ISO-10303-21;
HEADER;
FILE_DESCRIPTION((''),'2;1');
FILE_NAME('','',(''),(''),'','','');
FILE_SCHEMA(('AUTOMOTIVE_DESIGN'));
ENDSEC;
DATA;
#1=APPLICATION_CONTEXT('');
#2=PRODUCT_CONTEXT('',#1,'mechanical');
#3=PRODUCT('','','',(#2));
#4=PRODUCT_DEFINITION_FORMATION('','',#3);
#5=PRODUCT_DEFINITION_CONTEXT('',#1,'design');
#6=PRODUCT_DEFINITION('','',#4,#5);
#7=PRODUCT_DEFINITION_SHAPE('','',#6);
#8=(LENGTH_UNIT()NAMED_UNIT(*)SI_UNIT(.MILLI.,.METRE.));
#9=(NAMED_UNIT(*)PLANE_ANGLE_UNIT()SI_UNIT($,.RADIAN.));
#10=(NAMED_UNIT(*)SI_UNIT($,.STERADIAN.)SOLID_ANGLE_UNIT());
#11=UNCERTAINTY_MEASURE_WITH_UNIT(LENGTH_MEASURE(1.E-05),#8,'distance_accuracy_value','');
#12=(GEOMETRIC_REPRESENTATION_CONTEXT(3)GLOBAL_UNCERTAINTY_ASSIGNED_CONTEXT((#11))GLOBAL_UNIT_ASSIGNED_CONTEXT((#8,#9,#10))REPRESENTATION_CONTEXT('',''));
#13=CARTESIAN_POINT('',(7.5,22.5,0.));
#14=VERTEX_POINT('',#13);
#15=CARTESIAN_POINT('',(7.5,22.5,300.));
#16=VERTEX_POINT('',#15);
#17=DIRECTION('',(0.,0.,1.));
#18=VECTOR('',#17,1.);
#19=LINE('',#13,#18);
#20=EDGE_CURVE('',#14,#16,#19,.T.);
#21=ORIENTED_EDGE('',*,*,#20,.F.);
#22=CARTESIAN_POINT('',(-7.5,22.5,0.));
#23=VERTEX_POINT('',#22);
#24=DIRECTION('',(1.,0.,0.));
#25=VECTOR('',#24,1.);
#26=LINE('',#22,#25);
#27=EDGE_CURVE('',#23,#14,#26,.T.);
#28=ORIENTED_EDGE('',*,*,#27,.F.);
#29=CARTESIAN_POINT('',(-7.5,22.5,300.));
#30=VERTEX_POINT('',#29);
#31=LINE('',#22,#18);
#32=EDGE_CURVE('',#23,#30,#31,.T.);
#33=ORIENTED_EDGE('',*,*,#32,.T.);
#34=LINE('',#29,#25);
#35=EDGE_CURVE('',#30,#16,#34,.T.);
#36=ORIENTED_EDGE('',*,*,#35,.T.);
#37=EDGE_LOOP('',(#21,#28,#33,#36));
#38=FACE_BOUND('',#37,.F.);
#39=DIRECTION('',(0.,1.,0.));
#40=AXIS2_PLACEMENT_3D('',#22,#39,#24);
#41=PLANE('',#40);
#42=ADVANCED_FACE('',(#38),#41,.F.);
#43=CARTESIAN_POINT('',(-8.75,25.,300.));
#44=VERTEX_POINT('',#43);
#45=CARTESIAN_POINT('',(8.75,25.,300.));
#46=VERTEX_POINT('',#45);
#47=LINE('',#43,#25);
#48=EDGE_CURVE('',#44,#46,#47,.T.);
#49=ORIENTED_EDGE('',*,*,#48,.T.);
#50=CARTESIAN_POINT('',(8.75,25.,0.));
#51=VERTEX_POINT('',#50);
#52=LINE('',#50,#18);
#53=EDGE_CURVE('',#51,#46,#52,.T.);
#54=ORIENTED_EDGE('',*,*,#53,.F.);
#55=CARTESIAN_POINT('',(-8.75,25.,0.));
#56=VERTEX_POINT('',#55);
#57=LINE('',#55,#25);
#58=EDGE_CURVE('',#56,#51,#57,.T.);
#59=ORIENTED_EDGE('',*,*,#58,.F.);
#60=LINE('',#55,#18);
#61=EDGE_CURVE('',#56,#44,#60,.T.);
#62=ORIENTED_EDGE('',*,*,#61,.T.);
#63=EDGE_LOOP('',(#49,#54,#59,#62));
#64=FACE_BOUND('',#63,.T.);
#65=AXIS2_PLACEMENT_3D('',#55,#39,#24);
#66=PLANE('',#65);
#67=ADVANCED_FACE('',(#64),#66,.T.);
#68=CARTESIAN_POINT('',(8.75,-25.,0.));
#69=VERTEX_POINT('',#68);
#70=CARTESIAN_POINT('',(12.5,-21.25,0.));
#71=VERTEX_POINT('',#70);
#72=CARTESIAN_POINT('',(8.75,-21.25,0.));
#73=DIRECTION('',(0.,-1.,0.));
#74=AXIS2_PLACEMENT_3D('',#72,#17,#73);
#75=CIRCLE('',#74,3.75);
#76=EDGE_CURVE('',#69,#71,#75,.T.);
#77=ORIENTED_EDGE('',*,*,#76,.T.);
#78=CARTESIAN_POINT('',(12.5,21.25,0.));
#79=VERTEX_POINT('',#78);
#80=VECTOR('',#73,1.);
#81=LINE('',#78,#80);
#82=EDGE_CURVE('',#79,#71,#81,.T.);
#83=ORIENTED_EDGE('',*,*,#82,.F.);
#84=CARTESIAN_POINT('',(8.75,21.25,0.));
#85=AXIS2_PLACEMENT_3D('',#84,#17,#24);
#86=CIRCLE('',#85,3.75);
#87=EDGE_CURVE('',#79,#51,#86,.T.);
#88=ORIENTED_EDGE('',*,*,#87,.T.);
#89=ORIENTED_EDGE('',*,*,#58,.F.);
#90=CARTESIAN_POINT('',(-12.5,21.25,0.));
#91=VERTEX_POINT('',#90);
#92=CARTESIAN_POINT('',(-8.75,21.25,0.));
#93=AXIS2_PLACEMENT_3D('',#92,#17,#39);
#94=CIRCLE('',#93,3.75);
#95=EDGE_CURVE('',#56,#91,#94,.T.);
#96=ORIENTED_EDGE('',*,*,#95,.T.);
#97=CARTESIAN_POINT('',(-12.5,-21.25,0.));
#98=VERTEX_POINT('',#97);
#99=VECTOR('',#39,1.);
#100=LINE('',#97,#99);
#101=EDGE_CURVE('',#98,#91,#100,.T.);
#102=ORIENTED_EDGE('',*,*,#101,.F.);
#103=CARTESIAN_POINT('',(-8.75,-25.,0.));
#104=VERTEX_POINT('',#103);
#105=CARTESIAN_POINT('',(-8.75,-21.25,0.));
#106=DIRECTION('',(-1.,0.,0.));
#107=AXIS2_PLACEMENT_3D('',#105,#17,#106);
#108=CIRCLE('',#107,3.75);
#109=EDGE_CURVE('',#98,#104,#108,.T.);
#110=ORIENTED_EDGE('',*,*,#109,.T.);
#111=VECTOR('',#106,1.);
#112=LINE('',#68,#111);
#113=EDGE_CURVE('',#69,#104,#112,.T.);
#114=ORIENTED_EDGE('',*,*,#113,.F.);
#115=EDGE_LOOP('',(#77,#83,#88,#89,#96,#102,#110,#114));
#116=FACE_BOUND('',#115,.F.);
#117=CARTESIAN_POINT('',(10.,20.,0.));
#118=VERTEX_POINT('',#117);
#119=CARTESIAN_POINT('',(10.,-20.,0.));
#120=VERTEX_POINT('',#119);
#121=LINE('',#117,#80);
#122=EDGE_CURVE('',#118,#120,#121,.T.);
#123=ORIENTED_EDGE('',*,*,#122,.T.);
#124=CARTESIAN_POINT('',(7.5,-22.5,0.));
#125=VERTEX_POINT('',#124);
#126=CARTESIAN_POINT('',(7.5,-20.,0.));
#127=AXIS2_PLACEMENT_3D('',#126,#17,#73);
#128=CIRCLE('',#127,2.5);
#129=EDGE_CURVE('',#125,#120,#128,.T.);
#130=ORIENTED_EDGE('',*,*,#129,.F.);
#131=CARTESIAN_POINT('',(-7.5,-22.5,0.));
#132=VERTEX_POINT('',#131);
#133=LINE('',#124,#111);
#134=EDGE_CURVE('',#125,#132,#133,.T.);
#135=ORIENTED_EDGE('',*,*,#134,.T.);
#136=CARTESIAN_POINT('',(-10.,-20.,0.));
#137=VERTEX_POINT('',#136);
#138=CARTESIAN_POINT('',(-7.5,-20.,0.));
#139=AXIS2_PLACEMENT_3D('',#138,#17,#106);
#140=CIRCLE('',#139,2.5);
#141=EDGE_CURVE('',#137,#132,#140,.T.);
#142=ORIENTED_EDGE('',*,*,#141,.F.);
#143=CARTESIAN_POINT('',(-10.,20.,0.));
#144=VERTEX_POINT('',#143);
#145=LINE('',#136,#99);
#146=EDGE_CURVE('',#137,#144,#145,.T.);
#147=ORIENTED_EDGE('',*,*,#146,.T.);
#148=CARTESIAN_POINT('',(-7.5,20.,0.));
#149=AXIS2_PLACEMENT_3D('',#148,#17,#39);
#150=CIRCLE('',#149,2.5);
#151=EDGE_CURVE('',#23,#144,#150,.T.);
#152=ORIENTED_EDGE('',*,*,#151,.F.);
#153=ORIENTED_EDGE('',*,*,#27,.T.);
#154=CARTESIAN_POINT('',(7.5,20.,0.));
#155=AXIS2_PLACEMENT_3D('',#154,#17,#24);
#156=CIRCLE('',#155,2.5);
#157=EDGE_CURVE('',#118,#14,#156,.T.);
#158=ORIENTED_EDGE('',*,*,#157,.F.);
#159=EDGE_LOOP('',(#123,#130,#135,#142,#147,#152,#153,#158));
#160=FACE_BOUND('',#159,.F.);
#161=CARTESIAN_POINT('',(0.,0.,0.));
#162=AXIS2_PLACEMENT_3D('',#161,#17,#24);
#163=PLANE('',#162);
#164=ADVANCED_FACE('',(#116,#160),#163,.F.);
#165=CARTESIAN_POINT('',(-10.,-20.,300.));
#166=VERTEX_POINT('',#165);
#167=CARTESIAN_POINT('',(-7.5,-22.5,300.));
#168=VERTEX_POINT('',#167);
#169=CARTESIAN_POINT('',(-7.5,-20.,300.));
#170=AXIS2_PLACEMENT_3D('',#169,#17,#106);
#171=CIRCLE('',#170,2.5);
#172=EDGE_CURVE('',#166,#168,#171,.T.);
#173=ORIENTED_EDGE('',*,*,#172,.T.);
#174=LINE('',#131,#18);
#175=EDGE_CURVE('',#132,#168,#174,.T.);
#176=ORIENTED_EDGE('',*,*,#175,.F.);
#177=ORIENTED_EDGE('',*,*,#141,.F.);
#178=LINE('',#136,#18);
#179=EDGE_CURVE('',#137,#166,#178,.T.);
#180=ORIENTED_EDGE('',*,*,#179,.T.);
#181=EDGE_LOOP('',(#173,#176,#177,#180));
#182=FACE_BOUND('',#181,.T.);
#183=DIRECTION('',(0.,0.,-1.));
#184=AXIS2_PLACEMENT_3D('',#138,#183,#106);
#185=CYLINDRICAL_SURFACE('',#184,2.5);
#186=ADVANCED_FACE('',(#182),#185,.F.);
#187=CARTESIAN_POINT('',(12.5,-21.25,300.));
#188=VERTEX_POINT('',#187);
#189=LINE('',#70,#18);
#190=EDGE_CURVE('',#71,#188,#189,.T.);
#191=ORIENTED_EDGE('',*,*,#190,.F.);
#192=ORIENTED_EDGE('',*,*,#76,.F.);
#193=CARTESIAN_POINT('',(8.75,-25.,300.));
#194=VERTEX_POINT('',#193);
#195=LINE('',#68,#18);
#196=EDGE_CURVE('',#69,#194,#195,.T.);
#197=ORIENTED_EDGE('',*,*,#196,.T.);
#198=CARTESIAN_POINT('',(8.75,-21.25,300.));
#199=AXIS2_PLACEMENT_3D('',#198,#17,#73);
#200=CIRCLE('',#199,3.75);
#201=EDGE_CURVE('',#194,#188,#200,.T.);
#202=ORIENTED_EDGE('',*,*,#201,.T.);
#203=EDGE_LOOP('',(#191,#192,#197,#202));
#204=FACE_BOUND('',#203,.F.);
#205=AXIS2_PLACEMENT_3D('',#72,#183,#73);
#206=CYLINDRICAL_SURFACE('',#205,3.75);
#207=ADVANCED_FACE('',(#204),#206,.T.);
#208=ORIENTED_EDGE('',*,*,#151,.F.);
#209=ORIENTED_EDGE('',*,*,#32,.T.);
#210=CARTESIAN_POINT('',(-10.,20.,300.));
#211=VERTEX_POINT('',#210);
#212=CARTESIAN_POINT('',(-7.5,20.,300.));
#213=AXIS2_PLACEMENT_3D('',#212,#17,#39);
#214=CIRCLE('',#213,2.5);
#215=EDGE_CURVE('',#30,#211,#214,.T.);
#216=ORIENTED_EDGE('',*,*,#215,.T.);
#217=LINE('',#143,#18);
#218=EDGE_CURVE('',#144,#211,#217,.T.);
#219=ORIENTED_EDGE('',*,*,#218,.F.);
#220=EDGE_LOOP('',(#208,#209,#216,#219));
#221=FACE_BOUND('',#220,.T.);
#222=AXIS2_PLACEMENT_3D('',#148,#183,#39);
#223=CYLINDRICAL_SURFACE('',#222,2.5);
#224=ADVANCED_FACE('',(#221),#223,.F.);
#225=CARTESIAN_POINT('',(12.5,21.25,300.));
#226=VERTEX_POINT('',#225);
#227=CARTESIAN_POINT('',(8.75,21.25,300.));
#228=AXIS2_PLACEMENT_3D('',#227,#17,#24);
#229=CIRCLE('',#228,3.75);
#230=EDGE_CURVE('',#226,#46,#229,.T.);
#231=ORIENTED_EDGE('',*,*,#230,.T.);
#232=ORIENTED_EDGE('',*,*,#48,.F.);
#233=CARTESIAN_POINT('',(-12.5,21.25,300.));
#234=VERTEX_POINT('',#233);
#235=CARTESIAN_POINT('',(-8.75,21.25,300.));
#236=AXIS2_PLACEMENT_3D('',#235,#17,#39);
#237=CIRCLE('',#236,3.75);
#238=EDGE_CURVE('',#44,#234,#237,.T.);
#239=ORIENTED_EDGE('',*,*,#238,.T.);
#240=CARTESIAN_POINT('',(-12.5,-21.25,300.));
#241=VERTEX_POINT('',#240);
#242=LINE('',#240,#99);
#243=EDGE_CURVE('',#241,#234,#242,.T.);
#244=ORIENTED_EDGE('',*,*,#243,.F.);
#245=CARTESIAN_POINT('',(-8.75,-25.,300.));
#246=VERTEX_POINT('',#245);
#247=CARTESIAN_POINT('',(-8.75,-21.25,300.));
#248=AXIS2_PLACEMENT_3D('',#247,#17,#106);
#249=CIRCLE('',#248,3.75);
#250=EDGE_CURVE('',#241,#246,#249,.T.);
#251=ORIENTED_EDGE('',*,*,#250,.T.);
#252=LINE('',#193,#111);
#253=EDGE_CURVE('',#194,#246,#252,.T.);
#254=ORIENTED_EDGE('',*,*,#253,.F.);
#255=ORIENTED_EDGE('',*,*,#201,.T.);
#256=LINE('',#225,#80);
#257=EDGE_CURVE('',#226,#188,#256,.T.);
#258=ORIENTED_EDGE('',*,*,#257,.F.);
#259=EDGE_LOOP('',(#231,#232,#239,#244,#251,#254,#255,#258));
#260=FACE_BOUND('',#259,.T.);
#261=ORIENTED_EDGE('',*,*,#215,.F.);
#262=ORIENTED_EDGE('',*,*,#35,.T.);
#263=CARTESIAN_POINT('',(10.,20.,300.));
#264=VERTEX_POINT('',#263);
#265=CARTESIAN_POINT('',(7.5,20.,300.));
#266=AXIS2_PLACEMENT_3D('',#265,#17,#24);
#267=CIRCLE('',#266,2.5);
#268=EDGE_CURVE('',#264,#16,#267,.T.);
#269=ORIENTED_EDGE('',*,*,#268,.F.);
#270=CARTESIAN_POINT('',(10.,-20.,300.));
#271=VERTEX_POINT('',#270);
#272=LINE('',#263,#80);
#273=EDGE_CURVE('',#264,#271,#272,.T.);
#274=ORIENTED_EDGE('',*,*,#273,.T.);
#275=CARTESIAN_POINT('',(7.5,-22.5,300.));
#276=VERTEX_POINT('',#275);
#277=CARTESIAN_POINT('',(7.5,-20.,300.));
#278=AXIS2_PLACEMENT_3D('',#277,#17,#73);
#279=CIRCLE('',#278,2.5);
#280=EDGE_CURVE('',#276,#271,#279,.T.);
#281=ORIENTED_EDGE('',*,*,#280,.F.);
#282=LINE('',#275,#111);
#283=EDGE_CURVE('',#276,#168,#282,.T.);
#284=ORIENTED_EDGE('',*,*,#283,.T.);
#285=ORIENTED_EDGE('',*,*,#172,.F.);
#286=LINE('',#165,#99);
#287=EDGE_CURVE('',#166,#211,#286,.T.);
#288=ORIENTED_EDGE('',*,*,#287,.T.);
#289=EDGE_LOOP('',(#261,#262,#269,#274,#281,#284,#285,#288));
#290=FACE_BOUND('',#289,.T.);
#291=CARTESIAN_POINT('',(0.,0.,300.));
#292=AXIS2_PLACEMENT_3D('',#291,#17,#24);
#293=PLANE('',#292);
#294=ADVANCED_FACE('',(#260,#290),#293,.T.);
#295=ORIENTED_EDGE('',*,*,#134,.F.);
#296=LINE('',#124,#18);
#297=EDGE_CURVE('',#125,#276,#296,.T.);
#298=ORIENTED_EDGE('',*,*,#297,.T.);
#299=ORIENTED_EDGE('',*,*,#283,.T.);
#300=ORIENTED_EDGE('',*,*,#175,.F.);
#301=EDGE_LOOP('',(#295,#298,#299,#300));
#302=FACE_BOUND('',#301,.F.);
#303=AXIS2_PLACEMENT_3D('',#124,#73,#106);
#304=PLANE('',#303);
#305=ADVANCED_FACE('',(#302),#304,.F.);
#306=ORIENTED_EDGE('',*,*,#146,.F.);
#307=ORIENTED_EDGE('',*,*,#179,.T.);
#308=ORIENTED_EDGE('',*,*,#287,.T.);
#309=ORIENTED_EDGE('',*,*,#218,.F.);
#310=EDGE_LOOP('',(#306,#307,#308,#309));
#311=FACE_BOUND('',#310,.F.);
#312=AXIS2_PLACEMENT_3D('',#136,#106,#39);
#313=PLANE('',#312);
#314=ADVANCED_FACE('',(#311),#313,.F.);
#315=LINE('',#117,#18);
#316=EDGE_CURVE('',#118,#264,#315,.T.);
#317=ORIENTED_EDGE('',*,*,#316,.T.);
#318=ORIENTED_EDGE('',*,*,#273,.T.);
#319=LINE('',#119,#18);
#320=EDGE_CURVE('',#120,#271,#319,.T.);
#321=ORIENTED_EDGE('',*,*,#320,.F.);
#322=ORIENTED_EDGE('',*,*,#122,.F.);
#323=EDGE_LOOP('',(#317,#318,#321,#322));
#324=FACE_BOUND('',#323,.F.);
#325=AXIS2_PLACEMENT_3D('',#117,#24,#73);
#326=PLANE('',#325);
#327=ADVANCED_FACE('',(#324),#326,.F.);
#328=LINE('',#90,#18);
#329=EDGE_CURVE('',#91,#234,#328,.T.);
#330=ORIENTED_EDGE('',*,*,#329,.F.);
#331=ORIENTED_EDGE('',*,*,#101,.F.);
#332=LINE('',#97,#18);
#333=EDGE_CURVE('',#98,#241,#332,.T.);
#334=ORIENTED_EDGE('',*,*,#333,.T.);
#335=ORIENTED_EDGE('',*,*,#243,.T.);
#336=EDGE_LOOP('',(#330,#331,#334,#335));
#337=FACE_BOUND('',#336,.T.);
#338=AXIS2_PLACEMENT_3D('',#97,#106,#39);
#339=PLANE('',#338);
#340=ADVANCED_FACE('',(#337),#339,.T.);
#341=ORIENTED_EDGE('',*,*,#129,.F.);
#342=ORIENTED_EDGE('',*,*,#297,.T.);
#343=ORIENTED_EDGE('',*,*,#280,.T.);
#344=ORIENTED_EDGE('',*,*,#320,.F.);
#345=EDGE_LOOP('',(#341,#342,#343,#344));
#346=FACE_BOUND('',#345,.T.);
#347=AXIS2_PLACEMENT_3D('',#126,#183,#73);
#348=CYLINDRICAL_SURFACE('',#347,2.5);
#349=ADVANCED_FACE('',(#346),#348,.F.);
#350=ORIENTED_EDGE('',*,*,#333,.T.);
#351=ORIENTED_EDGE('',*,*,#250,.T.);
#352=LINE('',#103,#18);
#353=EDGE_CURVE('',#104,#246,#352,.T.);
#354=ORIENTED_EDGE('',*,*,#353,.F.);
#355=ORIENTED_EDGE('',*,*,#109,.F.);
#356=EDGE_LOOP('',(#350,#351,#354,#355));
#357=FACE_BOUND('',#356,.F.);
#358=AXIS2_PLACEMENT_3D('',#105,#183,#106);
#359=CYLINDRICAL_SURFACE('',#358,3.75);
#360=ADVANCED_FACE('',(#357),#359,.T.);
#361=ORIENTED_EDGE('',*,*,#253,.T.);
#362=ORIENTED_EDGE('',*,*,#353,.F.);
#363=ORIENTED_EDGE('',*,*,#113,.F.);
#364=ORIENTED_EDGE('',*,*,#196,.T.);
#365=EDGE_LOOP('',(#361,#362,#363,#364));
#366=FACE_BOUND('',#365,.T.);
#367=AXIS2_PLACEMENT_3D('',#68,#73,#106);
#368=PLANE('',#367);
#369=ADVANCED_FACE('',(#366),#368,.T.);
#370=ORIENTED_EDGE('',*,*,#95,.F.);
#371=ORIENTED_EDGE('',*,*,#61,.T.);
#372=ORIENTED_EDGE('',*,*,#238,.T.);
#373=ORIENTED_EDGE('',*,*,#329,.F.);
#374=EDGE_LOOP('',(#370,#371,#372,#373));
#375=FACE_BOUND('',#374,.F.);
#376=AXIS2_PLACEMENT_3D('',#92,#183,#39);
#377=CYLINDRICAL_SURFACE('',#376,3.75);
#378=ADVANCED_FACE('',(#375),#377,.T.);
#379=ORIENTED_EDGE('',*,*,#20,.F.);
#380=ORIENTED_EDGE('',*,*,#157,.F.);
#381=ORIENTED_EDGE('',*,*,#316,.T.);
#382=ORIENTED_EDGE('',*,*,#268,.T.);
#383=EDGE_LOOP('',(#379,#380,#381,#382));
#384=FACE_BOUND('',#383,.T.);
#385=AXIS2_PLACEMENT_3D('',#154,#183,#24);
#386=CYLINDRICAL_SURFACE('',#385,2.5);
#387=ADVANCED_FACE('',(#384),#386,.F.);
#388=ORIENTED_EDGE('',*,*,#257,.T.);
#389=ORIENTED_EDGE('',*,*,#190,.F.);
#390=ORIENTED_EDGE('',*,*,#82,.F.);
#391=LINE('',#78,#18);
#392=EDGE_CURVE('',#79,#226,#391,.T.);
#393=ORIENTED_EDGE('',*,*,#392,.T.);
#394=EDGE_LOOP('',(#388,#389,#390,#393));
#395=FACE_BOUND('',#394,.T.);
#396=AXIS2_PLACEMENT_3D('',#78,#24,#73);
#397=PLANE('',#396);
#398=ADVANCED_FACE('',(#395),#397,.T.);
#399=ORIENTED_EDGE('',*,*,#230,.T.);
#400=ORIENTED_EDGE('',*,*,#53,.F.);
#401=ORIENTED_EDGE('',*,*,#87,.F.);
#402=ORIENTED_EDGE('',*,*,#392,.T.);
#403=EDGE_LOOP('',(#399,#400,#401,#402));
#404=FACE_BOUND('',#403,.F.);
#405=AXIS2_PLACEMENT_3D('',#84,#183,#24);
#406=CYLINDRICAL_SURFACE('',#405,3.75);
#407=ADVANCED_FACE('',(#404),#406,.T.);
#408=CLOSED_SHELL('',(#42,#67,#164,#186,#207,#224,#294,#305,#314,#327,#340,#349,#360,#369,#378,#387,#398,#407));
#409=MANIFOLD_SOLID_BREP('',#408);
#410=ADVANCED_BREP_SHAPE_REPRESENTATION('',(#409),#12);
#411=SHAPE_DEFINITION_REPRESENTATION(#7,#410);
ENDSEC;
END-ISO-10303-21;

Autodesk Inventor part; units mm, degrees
ref_plane "YZ Plane" through (0, 0, 0) normal (1, 0, 0) x (0, 1, 0)
ref_plane "Plano inicial" through (0, 0, 0) normal (0, 0, 1) x (1, 0, 0)
ref_plane "Plano final" through (0, 0, 300) normal (0, 0, 1) x (1, 0, 0)
sketch "Esboço" plane through (0, 0, 0) normal (0, 0, 1) x (1, 0, 0)
  line L0 (-12.5, -21.25) -> (-12.5, 21.25)
  line L1 (-8.75, 25) -> (8.75, 25)
  line L2 (12.5, 21.25) -> (12.5, -21.25)
  line L3 (8.75, -25) -> (-8.75, -25)
  arc A0 (-12.5, -21.25) -> (-8.75, -25) centre (-8.75, -21.25) ccw
  arc A1 (-8.75, 25) -> (-12.5, 21.25) centre (-8.75, 21.25) ccw
  arc A2 (12.5, 21.25) -> (8.75, 25) centre (8.75, 21.25) ccw
  arc A3 (8.75, -25) -> (12.5, -21.25) centre (8.75, -21.25) ccw
  line L4 (-7.5, 22.5) -> (7.5, 22.5)
  line L5 (10, 20) -> (10, -20)
  line L6 (7.5, -22.5) -> (-7.5, -22.5)
  line L7 (-10, -20) -> (-10, 20)
  line L8 (0, 36.0873) -> (0, -36.0873) construction
  line L9 (-18.5873, 0) -> (18.5873, 0) construction
  arc A4 (-10, -20) -> (-7.5, -22.5) centre (-7.5, -20) ccw
  arc A5 (-7.5, 22.5) -> (-10, 20) centre (-7.5, 20) ccw
  arc A6 (10, 20) -> (7.5, 22.5) centre (7.5, 20) ccw
  arc A7 (7.5, -22.5) -> (10, -20) centre (7.5, -20) ccw
  dimension "d7" = 3.75
  dimension "d10" = 50
  dimension "d11" = 25
  dimension "d12" = 2.5
  dimension "d15" = 25
  dimension "d16" = 12.5
  dimension "d19" = 2.5
  dimension "d20" = 2.5
extrude "Corpo" add sketch "Esboço" along normal up to surface (300 mm away) from surface at 0
sketch "Sketch3" plane through (0, 0, 0) normal (0, 0, 1) x (1, 0, 0)
  line L0 (0, 0) -> (10, 0)
ref_plane "Work Plane3" through (0, 0, 0) normal (0, -1, 0) x (1, 0, 0)
sketch "Sketch4" plane through (0, 0, 0) normal (0, -1, 0) x (1, 0, 0)
  line L0 (-2, 0) -> (12, 0)
  line L1 (-2, 300) -> (12, 300)
  dimension "d18" = 300
equation "\"d7\" = G_IR"
equation "\"d10\" = G_H"
equation "\"d11\" = G_W"
equation "\"d12\" = G_T"
equation "\"d15\" = 0.5 * d10"
equation "\"d16\" = 0.5 * d11"
equation "\"d19\" = G_T"
equation "\"d20\" = G_T"
equation "\"d3\" = G_L"
equation "\"G_W\" = 25"
equation "\"G_H\" = 50"
equation "\"G_T\" = 2.5"
equation "\"G_IR\" = 3.75"
equation "\"G_L\" = d18"
equation "\"G_OFFSET_START\" = 0"
equation "\"G_OFFSET_END\" = 0"
properties part number "EN 10210-2 - 50 x 25 x 2,5 - 300" material "Aço, suave"
